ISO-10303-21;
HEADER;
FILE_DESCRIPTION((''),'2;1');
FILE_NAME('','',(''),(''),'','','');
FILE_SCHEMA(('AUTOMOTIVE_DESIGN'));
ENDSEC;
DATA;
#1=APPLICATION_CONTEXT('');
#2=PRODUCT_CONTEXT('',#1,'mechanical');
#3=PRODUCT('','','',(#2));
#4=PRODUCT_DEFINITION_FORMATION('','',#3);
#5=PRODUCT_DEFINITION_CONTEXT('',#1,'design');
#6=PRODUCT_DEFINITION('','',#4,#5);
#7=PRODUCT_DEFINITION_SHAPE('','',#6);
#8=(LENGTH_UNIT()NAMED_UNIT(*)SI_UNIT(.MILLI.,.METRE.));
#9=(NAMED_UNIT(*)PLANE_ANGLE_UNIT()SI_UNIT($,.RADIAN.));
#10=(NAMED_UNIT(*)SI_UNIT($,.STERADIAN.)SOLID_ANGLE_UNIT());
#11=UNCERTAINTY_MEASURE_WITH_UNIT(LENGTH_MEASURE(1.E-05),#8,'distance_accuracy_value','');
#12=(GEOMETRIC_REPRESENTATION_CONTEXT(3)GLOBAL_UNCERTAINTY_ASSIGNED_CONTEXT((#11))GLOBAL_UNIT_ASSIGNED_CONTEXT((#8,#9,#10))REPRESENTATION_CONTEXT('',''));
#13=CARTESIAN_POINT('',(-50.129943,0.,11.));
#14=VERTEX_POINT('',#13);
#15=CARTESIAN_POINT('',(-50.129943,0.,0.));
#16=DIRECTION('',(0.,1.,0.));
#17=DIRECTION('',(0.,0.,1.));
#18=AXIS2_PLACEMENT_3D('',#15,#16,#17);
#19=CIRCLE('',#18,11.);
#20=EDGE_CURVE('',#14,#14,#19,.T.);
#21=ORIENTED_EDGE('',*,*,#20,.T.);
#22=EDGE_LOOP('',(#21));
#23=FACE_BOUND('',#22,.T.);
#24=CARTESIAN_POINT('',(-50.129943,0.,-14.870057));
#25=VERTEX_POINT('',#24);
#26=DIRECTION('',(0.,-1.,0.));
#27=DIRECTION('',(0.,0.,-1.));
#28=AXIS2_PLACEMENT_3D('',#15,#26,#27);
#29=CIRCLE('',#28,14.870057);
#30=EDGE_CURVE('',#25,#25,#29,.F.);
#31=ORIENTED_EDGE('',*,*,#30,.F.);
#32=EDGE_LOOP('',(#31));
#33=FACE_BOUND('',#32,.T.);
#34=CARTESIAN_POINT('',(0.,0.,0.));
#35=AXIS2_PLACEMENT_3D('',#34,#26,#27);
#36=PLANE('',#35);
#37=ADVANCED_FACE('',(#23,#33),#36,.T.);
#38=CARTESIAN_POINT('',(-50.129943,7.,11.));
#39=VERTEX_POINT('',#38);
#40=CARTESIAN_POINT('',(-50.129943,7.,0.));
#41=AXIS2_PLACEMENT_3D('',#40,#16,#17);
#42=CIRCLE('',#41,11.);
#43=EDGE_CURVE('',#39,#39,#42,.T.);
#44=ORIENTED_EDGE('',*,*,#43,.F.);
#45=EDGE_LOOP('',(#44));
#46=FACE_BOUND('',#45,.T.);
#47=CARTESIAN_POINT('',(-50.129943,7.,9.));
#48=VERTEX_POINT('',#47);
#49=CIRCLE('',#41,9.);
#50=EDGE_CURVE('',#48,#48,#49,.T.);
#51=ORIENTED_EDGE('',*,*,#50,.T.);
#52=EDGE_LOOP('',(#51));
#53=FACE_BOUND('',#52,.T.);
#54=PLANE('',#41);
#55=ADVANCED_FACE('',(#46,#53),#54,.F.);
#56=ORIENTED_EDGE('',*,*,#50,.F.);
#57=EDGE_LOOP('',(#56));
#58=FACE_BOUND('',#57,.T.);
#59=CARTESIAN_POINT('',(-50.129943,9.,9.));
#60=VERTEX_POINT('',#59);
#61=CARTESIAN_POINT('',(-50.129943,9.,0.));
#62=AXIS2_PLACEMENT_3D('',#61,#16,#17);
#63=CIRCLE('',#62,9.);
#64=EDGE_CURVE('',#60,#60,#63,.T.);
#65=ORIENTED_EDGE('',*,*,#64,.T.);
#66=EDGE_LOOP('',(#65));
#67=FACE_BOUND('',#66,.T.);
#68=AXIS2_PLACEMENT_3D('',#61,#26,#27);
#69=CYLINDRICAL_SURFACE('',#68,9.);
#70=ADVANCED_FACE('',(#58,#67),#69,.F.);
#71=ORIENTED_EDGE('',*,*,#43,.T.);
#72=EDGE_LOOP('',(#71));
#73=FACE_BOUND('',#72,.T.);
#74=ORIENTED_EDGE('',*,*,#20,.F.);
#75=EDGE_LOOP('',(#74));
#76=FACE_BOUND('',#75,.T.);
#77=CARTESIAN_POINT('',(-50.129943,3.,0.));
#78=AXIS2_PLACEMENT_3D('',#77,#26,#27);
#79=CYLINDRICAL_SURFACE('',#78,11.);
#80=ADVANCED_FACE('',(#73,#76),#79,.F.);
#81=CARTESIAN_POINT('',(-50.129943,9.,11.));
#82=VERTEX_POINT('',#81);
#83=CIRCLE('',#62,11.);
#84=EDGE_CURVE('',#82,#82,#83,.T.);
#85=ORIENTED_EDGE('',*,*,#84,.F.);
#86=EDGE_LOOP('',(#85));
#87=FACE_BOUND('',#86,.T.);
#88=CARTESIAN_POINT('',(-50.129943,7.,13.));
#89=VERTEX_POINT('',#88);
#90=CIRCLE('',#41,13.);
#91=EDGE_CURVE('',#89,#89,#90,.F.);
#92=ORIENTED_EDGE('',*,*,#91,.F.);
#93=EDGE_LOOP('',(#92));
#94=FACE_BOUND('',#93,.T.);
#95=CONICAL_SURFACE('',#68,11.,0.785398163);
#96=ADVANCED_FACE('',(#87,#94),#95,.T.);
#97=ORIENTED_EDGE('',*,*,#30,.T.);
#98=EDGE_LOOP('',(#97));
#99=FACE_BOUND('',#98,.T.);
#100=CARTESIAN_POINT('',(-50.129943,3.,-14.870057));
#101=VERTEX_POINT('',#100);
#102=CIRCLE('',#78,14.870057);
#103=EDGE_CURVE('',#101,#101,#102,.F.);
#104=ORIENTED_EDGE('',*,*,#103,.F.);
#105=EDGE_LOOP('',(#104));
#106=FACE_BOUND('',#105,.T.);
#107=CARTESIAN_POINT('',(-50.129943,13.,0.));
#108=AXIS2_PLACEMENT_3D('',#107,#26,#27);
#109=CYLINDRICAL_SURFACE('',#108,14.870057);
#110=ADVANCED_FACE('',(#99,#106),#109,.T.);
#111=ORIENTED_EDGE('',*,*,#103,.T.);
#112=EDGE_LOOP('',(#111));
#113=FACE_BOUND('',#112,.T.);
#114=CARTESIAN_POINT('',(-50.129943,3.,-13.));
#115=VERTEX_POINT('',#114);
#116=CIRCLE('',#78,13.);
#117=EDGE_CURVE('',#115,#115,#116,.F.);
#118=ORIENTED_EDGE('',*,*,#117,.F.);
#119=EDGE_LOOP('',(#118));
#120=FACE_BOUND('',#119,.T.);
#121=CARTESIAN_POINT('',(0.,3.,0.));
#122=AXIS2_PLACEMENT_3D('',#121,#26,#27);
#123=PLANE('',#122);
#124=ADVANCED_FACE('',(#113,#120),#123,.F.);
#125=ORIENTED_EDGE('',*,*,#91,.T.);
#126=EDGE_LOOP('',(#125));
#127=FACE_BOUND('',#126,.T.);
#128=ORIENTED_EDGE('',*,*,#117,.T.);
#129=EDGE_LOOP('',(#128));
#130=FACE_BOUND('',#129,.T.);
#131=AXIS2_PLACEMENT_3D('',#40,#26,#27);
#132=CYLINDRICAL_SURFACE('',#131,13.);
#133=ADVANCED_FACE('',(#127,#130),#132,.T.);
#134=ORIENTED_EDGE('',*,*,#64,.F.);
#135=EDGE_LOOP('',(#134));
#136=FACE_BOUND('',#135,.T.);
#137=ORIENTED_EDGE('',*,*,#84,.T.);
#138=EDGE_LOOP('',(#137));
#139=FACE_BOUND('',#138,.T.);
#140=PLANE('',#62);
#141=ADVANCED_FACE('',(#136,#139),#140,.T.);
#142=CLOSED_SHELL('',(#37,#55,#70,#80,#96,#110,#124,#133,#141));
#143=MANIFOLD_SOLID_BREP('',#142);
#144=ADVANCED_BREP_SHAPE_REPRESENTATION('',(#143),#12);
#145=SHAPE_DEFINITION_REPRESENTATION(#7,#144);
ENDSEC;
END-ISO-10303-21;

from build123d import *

# Parameters (mm, degrees)
CROQUIS1_R                 = 11
CROQUIS1_R_2               = 2
CROQUIS1_W                 = 30
CROQUIS1_H                 = 3
SALIENTE_EXTRUIR1_DEPTH    = 3
CROQUIS2_R                 = 13
CROQUIS2_R_2               = 11
SALIENTE_EXTRUIR2_DEPTH    = 4
CROQUIS3_R                 = 13
CROQUIS3_R_2               = 9
SALIENTE_EXTRUIR3_DEPTH    = 2
CHAFL_N1_SIZE              = 2
CHAFL_N2_SIZE              = 10
CORTAR_EXTRUIR1_DEPTH      = 10
CORTAR_EXTRUIR1_DEPTH_BACK = 10
CROQUIS4_OUTSIDE_W         = 165.218
CROQUIS4_OUTSIDE_H         = 70.218
CROQUIS4_OUTSIDE_R         = 14.870057098


with BuildPart() as part:
    # Croquis1 → Saliente-Extruir1 (new body)
    with BuildSketch(Plane(origin=(0, 0, 0), x_dir=(1, 0, 0), z_dir=(0, 1, 0))):
        Polygon((65, 10), (70, 15), (70, -15), (65, -10), (65, -20), (-65, -20), (-65, 20), (65, 20), align=None)
        with Locations(Location((-50.129942902, 0, 0), (0, 0, 270))):
            Circle(CROQUIS1_R, mode=Mode.SUBTRACT)
        with Locations(Location((-28.595127909, 0, 0), (0, 0, 270))):
            Circle(CROQUIS1_R_2, mode=Mode.SUBTRACT)
        with Locations(Location((-13.595127909, 0, 0), (0, 0, 270))):
            Circle(CROQUIS1_R_2, mode=Mode.SUBTRACT)
        with Locations(Location((50, 0, 0), (0, 0, 270))):
            Circle(CROQUIS1_R_2, mode=Mode.SUBTRACT)
        with Locations((25, 11)):
            Rectangle(CROQUIS1_W, CROQUIS1_H, mode=Mode.SUBTRACT)
        with Locations((25, -11)):
            Rectangle(CROQUIS1_W, CROQUIS1_H, mode=Mode.SUBTRACT)
    extrude(amount=SALIENTE_EXTRUIR1_DEPTH)

    # Croquis2 → Saliente-Extruir2 (add)
    with BuildSketch(Plane(origin=(0, 3, 0), x_dir=(1, 0, 0), z_dir=(0, 1, 0))):
        with Locations(Location((-50.129942902, 0, 0), (0, 0, 90))):
            Circle(CROQUIS2_R)
        with Locations(Location((-50.129942902, 0, 0), (0, 0, 270))):
            Circle(CROQUIS2_R_2, mode=Mode.SUBTRACT)
    extrude(amount=SALIENTE_EXTRUIR2_DEPTH)

    # Croquis3 → Saliente-Extruir3 (add)
    with BuildSketch(Plane(origin=(0, 7, 0), x_dir=(1, 0, 0), z_dir=(0, 1, 0))):
        with Locations(Location((-50.129942902, 0, 0), (0, 0, 90))):
            Circle(CROQUIS3_R)
        with Locations(Location((-50.129942902, 0, 0), (0, 0, 270))):
            Circle(CROQUIS3_R_2, mode=Mode.SUBTRACT)
    extrude(amount=SALIENTE_EXTRUIR3_DEPTH)

    # Chaflán1
    chafl_n1_edges = [part.edges().sort_by_distance(p)[0] for p in [
        (-50.129942902, 9, 13),
    ]]
    chamfer(chafl_n1_edges, length=CHAFL_N1_SIZE)

    # Chaflán2
    chafl_n2_edges = [part.edges().sort_by_distance(p)[0] for p in [
        (-65, 1.5, 20),
        (-65, 1.5, -20),
    ]]
    chamfer(chafl_n2_edges, length=CHAFL_N2_SIZE)

    # Croquis4 outside → Cortar-Extruir1 (cut, two sides: drawn at the far end of the back side and taken through both)
    with BuildSketch(Plane(origin=(0, 3, 0), x_dir=(1, 0, 0), z_dir=(0, 1, 0)).offset(-CORTAR_EXTRUIR1_DEPTH_BACK)):
        with Locations((2.5, 0)):
            Rectangle(CROQUIS4_OUTSIDE_W, CROQUIS4_OUTSIDE_H)
        with Locations(Location((-50.129942902, 0, 0), (0, 0, 90))):
            Circle(CROQUIS4_OUTSIDE_R, mode=Mode.SUBTRACT)
    extrude(amount=CORTAR_EXTRUIR1_DEPTH + CORTAR_EXTRUIR1_DEPTH_BACK, mode=Mode.SUBTRACT)


solid = part.part
